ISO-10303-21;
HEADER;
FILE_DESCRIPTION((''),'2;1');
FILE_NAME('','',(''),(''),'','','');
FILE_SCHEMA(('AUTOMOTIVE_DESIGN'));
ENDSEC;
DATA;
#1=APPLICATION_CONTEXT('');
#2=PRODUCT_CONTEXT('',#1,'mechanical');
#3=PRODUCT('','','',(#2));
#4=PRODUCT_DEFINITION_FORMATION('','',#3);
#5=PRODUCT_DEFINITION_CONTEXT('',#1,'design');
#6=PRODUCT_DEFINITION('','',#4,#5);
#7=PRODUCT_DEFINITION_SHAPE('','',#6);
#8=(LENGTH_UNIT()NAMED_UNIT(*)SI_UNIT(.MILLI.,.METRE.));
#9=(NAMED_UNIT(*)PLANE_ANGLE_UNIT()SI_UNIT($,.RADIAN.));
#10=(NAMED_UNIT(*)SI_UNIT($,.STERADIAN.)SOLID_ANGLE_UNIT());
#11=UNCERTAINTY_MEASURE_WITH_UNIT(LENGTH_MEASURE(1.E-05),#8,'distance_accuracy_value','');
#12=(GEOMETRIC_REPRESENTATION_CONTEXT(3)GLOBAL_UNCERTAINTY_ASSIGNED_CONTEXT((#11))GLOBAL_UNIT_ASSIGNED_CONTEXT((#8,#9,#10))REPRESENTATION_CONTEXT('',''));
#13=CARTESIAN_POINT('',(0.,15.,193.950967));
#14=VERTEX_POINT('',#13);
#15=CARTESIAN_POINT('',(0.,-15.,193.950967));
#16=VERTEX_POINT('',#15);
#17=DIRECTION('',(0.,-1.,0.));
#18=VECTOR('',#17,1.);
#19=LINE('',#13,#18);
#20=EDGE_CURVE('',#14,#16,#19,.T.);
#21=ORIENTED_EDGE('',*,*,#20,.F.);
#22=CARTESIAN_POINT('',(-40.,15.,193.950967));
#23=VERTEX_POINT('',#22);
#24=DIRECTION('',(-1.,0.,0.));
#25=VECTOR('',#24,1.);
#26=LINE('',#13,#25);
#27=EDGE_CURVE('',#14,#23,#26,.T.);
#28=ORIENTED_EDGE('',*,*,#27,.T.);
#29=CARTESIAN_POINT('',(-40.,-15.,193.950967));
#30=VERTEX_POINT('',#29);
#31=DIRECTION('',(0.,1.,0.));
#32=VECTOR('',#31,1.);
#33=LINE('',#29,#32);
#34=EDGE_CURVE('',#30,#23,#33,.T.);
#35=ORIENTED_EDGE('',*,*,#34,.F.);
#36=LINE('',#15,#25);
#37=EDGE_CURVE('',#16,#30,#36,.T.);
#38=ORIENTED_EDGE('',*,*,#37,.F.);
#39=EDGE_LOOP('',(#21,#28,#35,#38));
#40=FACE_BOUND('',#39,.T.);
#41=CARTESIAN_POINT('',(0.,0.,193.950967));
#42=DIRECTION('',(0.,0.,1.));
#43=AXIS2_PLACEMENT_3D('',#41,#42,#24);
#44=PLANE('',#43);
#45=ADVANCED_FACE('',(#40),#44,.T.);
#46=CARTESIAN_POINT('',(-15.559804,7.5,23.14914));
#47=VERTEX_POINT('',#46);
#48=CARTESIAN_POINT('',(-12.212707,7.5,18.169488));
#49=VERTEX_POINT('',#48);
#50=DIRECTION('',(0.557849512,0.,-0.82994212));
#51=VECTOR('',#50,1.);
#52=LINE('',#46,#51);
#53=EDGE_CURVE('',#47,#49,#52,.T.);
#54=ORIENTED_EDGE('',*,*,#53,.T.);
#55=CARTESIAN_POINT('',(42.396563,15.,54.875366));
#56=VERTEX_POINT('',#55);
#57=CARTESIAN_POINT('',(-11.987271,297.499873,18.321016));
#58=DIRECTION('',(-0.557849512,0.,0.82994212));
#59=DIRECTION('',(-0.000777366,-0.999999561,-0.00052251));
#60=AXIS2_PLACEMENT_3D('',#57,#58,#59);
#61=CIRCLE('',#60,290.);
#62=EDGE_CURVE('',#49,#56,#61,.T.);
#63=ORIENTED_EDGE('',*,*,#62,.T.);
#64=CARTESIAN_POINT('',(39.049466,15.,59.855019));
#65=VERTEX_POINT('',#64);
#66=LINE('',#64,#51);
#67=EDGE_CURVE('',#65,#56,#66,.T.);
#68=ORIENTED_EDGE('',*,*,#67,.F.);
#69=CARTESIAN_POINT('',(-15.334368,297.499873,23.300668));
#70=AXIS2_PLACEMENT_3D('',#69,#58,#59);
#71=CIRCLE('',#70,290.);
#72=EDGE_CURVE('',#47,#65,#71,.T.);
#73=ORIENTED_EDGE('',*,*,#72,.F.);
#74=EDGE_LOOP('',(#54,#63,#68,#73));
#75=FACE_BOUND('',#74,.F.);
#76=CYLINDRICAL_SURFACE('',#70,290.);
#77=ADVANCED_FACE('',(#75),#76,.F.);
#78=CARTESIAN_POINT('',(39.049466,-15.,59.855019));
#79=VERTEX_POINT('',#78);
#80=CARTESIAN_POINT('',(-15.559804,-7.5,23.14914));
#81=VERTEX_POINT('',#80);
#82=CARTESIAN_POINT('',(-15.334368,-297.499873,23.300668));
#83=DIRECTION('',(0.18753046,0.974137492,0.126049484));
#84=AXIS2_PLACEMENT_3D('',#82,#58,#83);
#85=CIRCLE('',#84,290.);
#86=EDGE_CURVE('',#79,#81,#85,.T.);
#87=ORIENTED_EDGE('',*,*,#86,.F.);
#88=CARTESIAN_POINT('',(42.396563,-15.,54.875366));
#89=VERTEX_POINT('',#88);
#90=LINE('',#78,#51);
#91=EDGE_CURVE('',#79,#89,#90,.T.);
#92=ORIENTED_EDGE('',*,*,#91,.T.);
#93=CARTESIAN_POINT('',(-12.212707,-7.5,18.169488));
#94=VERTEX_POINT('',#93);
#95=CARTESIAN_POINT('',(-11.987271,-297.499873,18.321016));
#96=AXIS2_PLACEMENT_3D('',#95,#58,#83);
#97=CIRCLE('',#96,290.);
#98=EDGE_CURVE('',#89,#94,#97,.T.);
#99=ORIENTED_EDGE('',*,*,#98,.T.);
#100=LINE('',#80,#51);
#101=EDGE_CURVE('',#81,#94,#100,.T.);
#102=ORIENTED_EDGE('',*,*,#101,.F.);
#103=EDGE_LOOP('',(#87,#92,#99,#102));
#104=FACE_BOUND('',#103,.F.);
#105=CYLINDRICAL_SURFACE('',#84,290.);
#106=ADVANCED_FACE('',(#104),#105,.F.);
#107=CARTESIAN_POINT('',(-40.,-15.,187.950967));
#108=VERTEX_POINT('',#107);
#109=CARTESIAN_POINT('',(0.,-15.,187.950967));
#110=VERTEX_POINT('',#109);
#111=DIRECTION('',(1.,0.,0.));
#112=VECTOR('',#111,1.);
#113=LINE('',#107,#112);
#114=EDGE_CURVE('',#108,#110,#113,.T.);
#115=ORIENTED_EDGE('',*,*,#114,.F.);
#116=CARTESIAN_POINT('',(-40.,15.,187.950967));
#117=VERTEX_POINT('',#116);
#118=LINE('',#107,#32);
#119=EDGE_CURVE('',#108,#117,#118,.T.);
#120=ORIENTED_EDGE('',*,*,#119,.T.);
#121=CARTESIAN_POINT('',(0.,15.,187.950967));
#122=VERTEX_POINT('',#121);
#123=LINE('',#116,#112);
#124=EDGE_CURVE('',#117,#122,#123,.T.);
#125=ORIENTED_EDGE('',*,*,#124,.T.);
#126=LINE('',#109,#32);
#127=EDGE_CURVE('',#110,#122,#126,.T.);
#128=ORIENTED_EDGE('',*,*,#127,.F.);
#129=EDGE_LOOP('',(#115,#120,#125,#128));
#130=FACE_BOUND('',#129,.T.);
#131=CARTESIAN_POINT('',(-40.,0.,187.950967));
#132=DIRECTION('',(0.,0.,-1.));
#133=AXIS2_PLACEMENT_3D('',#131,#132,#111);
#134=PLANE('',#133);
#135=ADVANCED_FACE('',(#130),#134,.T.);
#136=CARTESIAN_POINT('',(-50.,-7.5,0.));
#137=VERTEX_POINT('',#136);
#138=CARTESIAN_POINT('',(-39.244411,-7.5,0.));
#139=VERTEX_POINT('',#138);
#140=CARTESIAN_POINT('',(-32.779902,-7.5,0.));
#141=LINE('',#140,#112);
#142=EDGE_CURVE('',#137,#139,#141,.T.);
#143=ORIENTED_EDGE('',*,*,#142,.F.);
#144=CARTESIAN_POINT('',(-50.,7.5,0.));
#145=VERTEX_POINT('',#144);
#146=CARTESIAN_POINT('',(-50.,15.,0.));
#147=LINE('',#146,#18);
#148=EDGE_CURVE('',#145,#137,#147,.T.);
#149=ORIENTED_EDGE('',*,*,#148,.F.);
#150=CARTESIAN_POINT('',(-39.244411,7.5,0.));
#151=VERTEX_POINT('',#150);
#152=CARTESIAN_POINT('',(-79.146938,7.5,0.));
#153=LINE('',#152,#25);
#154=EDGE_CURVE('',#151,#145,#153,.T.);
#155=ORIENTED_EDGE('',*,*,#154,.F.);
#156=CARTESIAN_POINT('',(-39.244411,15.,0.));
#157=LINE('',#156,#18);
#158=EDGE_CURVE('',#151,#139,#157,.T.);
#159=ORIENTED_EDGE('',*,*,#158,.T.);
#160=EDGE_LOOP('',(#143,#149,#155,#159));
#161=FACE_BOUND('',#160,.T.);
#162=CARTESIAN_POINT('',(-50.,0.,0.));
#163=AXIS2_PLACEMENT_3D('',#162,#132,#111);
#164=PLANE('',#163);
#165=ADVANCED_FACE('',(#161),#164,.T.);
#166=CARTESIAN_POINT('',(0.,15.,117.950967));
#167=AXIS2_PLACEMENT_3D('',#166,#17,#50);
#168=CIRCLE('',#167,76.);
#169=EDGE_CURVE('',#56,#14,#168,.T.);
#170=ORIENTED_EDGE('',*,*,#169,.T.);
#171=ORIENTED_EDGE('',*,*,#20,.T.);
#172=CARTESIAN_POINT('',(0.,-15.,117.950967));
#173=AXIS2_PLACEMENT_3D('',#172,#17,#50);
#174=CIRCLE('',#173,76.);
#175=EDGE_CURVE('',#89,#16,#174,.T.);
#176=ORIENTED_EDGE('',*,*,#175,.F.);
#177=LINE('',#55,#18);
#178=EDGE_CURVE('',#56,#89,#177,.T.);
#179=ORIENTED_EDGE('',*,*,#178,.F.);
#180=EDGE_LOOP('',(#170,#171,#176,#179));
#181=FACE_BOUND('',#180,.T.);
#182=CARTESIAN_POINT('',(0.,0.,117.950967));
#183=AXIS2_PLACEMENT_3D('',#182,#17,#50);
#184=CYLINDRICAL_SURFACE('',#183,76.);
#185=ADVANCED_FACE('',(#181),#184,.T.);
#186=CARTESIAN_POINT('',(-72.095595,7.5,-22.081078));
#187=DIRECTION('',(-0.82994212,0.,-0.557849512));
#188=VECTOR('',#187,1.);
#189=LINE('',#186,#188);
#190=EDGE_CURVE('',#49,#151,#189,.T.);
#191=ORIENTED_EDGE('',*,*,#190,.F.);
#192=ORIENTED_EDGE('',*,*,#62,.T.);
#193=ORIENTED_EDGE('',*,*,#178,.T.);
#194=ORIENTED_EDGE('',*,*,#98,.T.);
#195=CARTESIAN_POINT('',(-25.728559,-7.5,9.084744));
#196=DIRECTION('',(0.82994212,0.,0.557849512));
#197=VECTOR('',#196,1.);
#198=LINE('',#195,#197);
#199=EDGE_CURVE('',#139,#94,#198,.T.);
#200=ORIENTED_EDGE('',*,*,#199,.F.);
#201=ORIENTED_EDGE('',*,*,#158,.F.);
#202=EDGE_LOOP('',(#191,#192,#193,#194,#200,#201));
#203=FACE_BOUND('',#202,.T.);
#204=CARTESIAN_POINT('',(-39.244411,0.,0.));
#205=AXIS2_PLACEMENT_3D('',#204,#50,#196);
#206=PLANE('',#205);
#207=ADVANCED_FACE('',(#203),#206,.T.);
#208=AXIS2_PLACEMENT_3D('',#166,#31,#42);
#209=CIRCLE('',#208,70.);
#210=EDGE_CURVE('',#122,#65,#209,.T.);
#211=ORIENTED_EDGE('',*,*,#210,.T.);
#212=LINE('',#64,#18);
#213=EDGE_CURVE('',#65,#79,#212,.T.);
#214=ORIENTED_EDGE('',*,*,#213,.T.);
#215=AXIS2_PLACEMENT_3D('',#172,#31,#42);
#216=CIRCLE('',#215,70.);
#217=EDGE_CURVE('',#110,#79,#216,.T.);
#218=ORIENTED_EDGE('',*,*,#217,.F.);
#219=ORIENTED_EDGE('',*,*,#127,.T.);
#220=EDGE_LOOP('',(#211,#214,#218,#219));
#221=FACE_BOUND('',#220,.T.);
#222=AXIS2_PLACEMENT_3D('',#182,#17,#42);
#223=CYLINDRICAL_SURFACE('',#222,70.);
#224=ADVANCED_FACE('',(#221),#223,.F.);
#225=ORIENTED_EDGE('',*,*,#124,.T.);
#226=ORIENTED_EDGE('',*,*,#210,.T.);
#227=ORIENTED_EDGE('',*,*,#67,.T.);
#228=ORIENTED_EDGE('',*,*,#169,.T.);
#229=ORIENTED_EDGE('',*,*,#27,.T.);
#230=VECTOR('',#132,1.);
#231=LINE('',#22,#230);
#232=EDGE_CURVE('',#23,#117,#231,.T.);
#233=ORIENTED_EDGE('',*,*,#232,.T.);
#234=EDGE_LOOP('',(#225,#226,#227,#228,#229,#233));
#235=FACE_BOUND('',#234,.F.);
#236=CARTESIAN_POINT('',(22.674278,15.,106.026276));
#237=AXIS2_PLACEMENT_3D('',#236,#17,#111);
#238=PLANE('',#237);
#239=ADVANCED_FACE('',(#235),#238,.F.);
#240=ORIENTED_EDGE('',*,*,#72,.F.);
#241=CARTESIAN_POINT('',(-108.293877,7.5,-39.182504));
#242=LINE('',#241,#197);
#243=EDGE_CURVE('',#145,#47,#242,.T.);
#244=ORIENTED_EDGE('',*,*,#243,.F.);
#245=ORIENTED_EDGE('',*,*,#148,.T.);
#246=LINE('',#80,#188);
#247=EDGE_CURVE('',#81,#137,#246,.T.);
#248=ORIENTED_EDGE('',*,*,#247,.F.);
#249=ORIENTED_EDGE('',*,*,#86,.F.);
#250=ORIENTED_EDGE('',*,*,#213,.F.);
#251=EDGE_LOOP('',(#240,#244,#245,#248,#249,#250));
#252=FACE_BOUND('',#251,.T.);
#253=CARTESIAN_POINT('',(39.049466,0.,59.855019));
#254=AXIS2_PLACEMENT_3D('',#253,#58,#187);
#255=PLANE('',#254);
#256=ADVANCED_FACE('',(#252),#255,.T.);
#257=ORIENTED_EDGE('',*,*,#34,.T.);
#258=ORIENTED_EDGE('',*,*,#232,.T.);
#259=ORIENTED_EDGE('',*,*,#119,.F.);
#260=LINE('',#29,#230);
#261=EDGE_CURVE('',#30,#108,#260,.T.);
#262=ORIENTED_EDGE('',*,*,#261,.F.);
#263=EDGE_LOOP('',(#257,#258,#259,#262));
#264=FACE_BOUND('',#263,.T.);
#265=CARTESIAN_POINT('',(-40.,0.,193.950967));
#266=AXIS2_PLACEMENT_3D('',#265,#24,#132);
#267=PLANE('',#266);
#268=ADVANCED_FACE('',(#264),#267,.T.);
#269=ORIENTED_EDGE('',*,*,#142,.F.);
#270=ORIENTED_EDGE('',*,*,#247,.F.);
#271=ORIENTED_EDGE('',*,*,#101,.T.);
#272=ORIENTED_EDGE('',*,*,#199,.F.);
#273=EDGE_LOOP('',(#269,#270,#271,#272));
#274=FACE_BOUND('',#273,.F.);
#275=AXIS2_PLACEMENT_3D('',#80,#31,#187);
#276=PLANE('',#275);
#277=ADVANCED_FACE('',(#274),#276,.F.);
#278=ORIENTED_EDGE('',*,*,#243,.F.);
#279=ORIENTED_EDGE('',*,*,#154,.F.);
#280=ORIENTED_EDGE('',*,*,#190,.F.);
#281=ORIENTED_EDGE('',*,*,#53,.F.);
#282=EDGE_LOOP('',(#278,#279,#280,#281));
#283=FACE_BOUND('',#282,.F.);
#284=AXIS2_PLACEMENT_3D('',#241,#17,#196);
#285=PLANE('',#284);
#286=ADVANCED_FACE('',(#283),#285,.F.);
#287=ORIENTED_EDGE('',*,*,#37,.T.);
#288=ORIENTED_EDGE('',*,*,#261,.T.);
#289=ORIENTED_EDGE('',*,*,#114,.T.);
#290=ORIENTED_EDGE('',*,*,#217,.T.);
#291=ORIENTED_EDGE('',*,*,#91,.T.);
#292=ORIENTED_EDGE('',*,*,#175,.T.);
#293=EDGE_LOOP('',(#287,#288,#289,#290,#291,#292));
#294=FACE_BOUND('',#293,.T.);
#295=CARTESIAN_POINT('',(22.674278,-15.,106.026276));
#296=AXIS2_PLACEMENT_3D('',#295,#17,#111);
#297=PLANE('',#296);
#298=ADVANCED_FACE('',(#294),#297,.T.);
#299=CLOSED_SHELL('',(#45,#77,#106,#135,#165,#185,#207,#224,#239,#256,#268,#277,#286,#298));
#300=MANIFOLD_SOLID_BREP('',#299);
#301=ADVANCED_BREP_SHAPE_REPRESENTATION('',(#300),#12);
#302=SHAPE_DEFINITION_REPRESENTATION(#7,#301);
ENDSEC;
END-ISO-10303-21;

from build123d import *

# Parameters (mm, degrees)
F1_DEPTH = 15
F3_DEPTH = 10


with BuildPart() as f1:
    # F0 (on Front) → F1 (new body, symmetric)
    with BuildSketch(Plane.XZ):
        with BuildLine():
            ThreePointArc((0, 187.9509669885), (66.9578837306, 138.3627725508), (39.0494658165, 59.8550185975))
            Line((39.0494658165, 59.8550185975), (-50, 0))
            Line((-50, 0), (-39.2444111278, 0))
            Line((-39.2444111278, 0), (42.3965628865, 54.8753658783))
            ThreePointArc((42.3965628865, 54.8753658783), (72.6971309075, 140.1123558847), (0, 193.9509669885))
            Line((0, 193.9509669885), (-40, 193.9509669885))
            Line((-40, 193.9509669885), (-40, 187.9509669885))
            Line((-40, 187.9509669885), (0, 187.9509669885))
        make_face()
    extrude(amount=F1_DEPTH, both=True)

    # F2 (on face) → F3 (cut)
    with BuildSketch(Plane(origin=(-15.5598038832, 0, 23.149140314), x_dir=(0.8299421199, 0, 0.5578495117), z_dir=(-0.5578495117, 0, 0.8299421199))):
        with BuildLine():
            ThreePointArc((65.7988893348, -15), (33.1142363133, -9.3655931013), (0, -7.5))
            Line((0, -7.5), (-111.7355904906, -7.5))
            Line((-111.7355904906, -7.5), (-111.7421686649, -33.4417559206))
            Line((-111.7421686649, -33.4417559206), (65.7988893348, -33.4417559206))
            Line((65.7988893348, -33.4417559206), (65.7988893348, -15))
        make_face()
        with BuildLine():
            Line((-111.7355904906, 7.5), (0, 7.5))
            ThreePointArc((0, 7.5), (33.1142363133, 9.3655931013), (65.7988893348, 15))
            Line((65.7988893348, 15), (65.7988893348, 33.4417559206))
            Line((65.7988893348, 33.4417559206), (-111.7421686649, 33.4417559206))
            Line((-111.7421686649, 33.4417559206), (-111.7355904906, 7.5))
        make_face()
    extrude(amount=-F3_DEPTH, mode=Mode.SUBTRACT)


solid = f1.part
